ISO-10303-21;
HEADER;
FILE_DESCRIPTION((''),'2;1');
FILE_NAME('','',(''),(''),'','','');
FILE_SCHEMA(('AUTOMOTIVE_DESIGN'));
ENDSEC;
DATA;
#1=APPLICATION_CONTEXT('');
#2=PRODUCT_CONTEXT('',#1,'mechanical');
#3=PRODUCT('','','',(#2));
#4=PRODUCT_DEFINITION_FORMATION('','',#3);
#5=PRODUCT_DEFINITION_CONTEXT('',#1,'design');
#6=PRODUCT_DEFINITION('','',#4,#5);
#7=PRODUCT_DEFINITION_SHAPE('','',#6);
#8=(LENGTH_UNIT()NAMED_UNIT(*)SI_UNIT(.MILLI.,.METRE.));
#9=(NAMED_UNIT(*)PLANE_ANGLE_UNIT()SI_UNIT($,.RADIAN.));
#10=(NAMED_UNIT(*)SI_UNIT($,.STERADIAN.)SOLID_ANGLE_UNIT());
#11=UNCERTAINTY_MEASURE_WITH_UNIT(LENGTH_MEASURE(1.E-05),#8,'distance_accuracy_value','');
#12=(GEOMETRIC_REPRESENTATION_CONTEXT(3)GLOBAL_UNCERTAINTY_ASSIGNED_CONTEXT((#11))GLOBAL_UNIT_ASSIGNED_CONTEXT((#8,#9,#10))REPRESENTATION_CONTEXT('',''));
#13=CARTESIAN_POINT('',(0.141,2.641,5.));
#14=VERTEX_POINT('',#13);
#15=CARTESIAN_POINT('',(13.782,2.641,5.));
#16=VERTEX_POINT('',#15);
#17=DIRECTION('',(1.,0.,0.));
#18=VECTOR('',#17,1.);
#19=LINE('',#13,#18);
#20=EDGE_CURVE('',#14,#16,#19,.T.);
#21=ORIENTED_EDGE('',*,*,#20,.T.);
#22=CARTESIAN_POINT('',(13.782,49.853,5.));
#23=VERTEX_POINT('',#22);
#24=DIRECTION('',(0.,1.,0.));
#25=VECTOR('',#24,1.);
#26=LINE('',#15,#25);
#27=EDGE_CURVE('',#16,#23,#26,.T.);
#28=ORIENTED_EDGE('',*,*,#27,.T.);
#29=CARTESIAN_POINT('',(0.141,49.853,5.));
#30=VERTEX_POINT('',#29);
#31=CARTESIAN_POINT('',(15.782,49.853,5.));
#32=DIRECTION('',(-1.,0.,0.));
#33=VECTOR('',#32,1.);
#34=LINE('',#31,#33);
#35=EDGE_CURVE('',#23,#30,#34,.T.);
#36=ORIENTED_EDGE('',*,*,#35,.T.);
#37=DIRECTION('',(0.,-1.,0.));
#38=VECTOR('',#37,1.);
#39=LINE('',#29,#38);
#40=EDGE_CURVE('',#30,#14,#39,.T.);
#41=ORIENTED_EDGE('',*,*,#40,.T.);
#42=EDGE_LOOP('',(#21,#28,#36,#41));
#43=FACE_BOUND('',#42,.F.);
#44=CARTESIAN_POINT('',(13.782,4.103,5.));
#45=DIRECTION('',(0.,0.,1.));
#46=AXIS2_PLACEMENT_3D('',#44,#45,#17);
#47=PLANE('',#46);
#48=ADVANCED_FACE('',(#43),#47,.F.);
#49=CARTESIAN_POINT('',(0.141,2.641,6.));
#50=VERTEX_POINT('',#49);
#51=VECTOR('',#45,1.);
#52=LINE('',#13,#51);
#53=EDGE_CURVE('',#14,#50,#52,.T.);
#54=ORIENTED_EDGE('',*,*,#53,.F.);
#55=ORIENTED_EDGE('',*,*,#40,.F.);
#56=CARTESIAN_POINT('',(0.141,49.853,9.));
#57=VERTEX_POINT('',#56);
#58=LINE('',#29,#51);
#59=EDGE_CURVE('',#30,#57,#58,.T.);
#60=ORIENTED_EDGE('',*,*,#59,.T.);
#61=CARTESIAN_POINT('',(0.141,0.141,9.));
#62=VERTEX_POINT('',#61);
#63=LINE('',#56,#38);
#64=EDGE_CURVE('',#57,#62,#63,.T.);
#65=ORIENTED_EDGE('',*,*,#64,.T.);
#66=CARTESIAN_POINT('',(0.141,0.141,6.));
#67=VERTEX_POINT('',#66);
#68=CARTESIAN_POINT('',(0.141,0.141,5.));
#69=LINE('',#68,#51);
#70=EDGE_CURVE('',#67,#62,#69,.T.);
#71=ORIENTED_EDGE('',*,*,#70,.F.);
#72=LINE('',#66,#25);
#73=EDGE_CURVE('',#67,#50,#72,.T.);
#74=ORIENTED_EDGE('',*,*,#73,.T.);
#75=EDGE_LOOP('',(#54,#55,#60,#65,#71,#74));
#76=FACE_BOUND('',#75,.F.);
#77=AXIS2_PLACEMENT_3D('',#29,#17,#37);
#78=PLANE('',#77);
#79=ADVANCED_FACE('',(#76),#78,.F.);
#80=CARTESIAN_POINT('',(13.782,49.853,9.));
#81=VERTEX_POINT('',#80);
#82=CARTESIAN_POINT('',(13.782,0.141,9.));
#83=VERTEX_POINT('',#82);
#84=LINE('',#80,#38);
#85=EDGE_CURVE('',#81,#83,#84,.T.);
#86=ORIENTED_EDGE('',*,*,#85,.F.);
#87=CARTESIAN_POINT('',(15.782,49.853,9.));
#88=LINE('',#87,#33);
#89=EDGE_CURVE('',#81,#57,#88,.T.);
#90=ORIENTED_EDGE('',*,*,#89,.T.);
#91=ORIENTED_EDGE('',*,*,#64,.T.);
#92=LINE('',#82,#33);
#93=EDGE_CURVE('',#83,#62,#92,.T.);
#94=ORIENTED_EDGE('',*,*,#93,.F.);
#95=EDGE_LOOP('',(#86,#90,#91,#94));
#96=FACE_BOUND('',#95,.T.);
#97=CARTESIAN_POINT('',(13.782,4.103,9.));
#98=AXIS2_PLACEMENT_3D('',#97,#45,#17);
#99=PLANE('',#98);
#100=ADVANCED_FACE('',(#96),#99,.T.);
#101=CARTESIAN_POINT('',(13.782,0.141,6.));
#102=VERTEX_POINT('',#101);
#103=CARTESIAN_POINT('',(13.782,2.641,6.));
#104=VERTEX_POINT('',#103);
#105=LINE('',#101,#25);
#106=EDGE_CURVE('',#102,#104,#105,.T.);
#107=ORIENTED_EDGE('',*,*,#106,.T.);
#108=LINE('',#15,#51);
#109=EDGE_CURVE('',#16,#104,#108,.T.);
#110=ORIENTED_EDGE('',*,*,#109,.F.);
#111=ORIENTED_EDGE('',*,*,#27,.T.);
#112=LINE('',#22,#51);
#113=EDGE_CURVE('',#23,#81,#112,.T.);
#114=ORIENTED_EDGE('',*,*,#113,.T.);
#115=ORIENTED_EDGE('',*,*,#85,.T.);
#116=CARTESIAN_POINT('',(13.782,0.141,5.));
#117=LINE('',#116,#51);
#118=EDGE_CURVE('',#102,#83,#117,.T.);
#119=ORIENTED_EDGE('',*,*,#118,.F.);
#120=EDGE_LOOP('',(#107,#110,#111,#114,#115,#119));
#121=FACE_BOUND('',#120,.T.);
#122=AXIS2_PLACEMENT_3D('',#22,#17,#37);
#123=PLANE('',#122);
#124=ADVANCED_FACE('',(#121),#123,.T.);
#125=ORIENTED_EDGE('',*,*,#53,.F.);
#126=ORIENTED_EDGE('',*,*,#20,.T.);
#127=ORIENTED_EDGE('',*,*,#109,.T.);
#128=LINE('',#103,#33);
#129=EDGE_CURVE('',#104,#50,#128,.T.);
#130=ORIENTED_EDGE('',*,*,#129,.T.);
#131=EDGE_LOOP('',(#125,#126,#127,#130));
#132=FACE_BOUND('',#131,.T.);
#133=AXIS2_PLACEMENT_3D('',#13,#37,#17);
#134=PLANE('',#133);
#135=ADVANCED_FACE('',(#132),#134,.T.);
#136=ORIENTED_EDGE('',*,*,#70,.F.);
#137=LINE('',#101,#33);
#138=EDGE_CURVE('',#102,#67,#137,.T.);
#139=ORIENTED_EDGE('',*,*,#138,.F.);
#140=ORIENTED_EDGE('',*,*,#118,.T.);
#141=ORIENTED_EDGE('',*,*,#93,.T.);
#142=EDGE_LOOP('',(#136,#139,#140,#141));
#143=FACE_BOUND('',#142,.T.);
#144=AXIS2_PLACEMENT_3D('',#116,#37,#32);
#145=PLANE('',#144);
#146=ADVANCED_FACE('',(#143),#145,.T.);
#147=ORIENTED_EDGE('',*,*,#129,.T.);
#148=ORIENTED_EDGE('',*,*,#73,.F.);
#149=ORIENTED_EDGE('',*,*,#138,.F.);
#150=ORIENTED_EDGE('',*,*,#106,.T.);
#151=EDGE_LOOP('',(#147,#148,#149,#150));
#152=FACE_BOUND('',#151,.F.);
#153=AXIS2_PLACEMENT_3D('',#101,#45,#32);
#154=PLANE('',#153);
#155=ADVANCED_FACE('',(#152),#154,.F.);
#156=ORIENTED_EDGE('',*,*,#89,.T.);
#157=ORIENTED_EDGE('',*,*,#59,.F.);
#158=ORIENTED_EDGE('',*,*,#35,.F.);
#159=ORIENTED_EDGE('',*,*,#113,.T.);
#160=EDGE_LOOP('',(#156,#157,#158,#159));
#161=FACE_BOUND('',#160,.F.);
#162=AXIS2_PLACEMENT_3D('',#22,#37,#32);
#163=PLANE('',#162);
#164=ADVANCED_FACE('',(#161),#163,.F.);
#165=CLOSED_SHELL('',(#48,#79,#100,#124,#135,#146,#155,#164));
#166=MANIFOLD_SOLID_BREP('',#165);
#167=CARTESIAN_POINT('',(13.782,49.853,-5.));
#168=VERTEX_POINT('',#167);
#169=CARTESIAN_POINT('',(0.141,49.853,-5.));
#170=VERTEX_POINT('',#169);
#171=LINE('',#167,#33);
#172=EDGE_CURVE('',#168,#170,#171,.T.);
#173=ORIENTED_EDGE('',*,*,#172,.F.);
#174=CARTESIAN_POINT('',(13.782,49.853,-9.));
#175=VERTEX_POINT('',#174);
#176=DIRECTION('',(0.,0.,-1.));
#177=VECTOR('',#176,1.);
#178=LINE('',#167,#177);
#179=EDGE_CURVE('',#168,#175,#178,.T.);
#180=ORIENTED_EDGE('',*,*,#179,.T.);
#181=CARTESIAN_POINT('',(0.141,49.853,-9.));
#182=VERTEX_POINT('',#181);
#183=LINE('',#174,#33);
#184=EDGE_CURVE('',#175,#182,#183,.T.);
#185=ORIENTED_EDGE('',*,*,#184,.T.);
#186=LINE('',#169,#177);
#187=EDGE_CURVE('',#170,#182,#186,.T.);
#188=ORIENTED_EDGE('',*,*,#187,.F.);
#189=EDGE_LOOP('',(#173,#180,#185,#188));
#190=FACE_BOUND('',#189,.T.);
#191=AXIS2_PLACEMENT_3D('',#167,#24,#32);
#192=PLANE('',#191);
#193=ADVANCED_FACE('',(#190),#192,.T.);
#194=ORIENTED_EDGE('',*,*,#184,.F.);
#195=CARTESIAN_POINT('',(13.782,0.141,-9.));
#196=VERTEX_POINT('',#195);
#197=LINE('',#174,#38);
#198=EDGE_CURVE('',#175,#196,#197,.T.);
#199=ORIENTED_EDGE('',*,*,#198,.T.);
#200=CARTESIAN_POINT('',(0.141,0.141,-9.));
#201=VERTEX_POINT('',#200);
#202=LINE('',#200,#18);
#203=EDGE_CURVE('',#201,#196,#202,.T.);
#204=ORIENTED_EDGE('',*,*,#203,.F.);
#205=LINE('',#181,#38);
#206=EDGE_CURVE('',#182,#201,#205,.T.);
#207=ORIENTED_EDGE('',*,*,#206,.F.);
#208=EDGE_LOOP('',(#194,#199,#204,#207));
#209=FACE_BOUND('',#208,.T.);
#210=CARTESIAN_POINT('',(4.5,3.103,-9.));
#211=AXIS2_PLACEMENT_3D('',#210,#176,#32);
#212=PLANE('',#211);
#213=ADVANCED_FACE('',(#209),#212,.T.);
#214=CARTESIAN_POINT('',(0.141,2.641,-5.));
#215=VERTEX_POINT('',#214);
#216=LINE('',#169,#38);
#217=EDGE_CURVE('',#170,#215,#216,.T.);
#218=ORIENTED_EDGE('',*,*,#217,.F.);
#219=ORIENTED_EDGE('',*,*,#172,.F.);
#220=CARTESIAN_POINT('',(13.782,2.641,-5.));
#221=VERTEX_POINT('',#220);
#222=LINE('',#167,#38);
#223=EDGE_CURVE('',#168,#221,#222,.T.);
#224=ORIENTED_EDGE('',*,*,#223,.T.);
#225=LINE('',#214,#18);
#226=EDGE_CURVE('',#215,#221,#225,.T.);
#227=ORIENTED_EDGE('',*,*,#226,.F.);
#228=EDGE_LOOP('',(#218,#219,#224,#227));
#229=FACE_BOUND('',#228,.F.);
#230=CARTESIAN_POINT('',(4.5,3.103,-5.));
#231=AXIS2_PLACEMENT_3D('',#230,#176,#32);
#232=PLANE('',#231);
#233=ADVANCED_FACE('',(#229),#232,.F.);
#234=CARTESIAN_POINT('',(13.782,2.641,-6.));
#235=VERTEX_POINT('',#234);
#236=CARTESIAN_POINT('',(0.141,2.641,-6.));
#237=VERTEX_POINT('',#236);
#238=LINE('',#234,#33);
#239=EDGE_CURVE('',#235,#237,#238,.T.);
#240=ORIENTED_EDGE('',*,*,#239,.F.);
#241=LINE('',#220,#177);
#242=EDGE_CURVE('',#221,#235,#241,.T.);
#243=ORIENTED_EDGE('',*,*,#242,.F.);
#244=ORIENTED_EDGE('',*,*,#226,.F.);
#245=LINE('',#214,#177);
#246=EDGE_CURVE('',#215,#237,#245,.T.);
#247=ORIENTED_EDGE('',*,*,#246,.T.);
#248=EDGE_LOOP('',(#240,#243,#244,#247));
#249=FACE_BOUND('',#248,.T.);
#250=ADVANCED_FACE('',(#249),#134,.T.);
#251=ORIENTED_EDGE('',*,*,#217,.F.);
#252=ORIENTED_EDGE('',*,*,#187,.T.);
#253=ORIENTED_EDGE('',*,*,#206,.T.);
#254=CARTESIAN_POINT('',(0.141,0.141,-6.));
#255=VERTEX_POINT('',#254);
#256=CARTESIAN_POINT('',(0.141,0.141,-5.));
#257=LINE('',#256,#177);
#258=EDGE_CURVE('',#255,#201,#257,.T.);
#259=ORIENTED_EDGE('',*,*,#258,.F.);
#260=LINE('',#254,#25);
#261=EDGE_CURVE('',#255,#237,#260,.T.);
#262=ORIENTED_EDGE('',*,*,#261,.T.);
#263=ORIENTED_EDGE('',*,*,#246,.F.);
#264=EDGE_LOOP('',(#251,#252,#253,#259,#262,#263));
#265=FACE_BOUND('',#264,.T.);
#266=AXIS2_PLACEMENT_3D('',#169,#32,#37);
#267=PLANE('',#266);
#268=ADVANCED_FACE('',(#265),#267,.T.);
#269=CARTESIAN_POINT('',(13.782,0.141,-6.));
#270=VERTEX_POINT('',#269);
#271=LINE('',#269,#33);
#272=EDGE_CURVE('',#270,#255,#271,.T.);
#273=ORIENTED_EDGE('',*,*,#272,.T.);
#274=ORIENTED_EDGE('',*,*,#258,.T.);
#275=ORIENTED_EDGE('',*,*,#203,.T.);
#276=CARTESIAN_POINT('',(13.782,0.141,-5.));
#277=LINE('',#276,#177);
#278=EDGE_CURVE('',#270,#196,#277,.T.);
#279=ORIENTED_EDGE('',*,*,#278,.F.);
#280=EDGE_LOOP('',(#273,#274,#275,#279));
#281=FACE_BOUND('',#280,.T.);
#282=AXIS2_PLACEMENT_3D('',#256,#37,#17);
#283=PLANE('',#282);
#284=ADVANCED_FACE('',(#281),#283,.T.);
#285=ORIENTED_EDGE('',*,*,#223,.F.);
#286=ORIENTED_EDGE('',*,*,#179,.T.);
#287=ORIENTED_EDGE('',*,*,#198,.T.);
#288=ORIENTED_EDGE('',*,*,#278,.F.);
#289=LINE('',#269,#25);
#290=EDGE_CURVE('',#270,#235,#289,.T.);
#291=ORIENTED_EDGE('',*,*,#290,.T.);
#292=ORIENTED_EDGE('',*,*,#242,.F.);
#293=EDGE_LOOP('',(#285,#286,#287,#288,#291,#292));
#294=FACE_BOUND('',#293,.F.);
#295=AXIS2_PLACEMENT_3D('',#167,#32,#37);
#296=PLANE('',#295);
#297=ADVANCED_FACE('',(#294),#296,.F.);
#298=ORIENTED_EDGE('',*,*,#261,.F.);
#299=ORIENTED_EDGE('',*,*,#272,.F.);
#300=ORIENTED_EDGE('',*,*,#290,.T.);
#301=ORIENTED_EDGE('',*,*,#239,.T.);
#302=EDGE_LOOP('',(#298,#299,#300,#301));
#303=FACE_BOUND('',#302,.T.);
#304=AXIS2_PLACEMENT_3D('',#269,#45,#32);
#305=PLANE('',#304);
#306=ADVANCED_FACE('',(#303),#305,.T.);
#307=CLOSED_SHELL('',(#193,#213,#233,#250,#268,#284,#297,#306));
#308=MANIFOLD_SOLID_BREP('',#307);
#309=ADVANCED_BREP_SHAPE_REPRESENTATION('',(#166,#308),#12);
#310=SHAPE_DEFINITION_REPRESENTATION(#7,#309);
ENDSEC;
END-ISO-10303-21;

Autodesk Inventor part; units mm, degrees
ref_plane "YZ Plane" through (0, 0, 0) normal (1, 0, 0) x (0, 1, 0)
ref_plane "XZ Plane" through (0, 0, 0) normal (0, 1, 0) x (-1, 0, 0)
ref_plane "XY Plane" through (0, 0, 0) normal (0, 0, 1) x (1, 0, 0)
sketch "Sketch1" plane through (13.782, 4.103, 5) normal (0, 0, 1) x (1, 0, 0)
  line L0 (-13.641, 45.75) -> (-13.641, -3.962) projected
  line L1 (2, 45.75) -> (-13.641, 45.75) projected
  line L2 (-13.641, -3.962) -> (-13.641, 45.75)
  line L3 (-13.641, 45.75) -> (0, 45.75)
  line L4 (0, 45.75) -> (0, 33.5)
  line L5 (0, 33.5) -> (0, -3.962)
  line L6 (0, -3.962) -> (-13.641, -3.962)
  point P0 (-13.782, -4.103)
extrude "Extrusion1" add sketch "Sketch1" along normal blind 4
sketch "Sketch2" plane through (4.5, 3.103, -5) normal (0, 0, -1) x (-1, 0, 0)
  line L0 (4.359, 46.75) -> (4.359, -2.962) projected
  line L1 (4.359, -2.962) -> (4.359, 46.75)
  line L2 (-9.282, 46.75) -> (4.359, 46.75) projected
  line L3 (4.359, 46.75) -> (-9.282, 46.75)
  line L4 (4.359, -2.962) -> (-9.282, -2.962) projected
  line L5 (-9.282, 46.75) -> (-9.282, -2.962)
  line L6 (-9.282, -2.962) -> (4.359, -2.962)
  point P0 (4.5, -3.103)
extrude "Extrusion2" add sketch "Sketch2" along normal blind 4
sketch "Sketch3" plane through (0.141, 0.141, 5) normal (0, -1, 0) x (1, 0, 0)
  line L0 (0, 0) -> (13.641, 0) projected
  line L1 (13.641, 0) -> (13.641, 1)
  line L2 (13.641, 0) -> (13.641, 4) projected
  line L3 (13.641, 1) -> (0, 1)
  line L4 (0, 0) -> (0, 4) projected
  line L5 (0, 1) -> (0, 0)
  line L6 (0, 0) -> (13.641, 0)
  line L7 (0, -10) -> (13.641, -10) projected
  line L8 (13.641, -10) -> (13.641, -11)
  line L9 (13.641, -10) -> (13.641, -14) projected
  line L10 (13.641, -11) -> (0, -11)
  line L11 (0, -10) -> (0, -14) projected
  line L12 (0, -10) -> (0, -11)
  line L13 (0, -10) -> (13.641, -10)
  point P0 (-0.141, -5)
  dimension "d4" = 1
  dimension "d5" = 1
extrude "Extrusion3" cut sketch "Sketch3" against normal blind 2.5
properties part number "DIN_mount"
